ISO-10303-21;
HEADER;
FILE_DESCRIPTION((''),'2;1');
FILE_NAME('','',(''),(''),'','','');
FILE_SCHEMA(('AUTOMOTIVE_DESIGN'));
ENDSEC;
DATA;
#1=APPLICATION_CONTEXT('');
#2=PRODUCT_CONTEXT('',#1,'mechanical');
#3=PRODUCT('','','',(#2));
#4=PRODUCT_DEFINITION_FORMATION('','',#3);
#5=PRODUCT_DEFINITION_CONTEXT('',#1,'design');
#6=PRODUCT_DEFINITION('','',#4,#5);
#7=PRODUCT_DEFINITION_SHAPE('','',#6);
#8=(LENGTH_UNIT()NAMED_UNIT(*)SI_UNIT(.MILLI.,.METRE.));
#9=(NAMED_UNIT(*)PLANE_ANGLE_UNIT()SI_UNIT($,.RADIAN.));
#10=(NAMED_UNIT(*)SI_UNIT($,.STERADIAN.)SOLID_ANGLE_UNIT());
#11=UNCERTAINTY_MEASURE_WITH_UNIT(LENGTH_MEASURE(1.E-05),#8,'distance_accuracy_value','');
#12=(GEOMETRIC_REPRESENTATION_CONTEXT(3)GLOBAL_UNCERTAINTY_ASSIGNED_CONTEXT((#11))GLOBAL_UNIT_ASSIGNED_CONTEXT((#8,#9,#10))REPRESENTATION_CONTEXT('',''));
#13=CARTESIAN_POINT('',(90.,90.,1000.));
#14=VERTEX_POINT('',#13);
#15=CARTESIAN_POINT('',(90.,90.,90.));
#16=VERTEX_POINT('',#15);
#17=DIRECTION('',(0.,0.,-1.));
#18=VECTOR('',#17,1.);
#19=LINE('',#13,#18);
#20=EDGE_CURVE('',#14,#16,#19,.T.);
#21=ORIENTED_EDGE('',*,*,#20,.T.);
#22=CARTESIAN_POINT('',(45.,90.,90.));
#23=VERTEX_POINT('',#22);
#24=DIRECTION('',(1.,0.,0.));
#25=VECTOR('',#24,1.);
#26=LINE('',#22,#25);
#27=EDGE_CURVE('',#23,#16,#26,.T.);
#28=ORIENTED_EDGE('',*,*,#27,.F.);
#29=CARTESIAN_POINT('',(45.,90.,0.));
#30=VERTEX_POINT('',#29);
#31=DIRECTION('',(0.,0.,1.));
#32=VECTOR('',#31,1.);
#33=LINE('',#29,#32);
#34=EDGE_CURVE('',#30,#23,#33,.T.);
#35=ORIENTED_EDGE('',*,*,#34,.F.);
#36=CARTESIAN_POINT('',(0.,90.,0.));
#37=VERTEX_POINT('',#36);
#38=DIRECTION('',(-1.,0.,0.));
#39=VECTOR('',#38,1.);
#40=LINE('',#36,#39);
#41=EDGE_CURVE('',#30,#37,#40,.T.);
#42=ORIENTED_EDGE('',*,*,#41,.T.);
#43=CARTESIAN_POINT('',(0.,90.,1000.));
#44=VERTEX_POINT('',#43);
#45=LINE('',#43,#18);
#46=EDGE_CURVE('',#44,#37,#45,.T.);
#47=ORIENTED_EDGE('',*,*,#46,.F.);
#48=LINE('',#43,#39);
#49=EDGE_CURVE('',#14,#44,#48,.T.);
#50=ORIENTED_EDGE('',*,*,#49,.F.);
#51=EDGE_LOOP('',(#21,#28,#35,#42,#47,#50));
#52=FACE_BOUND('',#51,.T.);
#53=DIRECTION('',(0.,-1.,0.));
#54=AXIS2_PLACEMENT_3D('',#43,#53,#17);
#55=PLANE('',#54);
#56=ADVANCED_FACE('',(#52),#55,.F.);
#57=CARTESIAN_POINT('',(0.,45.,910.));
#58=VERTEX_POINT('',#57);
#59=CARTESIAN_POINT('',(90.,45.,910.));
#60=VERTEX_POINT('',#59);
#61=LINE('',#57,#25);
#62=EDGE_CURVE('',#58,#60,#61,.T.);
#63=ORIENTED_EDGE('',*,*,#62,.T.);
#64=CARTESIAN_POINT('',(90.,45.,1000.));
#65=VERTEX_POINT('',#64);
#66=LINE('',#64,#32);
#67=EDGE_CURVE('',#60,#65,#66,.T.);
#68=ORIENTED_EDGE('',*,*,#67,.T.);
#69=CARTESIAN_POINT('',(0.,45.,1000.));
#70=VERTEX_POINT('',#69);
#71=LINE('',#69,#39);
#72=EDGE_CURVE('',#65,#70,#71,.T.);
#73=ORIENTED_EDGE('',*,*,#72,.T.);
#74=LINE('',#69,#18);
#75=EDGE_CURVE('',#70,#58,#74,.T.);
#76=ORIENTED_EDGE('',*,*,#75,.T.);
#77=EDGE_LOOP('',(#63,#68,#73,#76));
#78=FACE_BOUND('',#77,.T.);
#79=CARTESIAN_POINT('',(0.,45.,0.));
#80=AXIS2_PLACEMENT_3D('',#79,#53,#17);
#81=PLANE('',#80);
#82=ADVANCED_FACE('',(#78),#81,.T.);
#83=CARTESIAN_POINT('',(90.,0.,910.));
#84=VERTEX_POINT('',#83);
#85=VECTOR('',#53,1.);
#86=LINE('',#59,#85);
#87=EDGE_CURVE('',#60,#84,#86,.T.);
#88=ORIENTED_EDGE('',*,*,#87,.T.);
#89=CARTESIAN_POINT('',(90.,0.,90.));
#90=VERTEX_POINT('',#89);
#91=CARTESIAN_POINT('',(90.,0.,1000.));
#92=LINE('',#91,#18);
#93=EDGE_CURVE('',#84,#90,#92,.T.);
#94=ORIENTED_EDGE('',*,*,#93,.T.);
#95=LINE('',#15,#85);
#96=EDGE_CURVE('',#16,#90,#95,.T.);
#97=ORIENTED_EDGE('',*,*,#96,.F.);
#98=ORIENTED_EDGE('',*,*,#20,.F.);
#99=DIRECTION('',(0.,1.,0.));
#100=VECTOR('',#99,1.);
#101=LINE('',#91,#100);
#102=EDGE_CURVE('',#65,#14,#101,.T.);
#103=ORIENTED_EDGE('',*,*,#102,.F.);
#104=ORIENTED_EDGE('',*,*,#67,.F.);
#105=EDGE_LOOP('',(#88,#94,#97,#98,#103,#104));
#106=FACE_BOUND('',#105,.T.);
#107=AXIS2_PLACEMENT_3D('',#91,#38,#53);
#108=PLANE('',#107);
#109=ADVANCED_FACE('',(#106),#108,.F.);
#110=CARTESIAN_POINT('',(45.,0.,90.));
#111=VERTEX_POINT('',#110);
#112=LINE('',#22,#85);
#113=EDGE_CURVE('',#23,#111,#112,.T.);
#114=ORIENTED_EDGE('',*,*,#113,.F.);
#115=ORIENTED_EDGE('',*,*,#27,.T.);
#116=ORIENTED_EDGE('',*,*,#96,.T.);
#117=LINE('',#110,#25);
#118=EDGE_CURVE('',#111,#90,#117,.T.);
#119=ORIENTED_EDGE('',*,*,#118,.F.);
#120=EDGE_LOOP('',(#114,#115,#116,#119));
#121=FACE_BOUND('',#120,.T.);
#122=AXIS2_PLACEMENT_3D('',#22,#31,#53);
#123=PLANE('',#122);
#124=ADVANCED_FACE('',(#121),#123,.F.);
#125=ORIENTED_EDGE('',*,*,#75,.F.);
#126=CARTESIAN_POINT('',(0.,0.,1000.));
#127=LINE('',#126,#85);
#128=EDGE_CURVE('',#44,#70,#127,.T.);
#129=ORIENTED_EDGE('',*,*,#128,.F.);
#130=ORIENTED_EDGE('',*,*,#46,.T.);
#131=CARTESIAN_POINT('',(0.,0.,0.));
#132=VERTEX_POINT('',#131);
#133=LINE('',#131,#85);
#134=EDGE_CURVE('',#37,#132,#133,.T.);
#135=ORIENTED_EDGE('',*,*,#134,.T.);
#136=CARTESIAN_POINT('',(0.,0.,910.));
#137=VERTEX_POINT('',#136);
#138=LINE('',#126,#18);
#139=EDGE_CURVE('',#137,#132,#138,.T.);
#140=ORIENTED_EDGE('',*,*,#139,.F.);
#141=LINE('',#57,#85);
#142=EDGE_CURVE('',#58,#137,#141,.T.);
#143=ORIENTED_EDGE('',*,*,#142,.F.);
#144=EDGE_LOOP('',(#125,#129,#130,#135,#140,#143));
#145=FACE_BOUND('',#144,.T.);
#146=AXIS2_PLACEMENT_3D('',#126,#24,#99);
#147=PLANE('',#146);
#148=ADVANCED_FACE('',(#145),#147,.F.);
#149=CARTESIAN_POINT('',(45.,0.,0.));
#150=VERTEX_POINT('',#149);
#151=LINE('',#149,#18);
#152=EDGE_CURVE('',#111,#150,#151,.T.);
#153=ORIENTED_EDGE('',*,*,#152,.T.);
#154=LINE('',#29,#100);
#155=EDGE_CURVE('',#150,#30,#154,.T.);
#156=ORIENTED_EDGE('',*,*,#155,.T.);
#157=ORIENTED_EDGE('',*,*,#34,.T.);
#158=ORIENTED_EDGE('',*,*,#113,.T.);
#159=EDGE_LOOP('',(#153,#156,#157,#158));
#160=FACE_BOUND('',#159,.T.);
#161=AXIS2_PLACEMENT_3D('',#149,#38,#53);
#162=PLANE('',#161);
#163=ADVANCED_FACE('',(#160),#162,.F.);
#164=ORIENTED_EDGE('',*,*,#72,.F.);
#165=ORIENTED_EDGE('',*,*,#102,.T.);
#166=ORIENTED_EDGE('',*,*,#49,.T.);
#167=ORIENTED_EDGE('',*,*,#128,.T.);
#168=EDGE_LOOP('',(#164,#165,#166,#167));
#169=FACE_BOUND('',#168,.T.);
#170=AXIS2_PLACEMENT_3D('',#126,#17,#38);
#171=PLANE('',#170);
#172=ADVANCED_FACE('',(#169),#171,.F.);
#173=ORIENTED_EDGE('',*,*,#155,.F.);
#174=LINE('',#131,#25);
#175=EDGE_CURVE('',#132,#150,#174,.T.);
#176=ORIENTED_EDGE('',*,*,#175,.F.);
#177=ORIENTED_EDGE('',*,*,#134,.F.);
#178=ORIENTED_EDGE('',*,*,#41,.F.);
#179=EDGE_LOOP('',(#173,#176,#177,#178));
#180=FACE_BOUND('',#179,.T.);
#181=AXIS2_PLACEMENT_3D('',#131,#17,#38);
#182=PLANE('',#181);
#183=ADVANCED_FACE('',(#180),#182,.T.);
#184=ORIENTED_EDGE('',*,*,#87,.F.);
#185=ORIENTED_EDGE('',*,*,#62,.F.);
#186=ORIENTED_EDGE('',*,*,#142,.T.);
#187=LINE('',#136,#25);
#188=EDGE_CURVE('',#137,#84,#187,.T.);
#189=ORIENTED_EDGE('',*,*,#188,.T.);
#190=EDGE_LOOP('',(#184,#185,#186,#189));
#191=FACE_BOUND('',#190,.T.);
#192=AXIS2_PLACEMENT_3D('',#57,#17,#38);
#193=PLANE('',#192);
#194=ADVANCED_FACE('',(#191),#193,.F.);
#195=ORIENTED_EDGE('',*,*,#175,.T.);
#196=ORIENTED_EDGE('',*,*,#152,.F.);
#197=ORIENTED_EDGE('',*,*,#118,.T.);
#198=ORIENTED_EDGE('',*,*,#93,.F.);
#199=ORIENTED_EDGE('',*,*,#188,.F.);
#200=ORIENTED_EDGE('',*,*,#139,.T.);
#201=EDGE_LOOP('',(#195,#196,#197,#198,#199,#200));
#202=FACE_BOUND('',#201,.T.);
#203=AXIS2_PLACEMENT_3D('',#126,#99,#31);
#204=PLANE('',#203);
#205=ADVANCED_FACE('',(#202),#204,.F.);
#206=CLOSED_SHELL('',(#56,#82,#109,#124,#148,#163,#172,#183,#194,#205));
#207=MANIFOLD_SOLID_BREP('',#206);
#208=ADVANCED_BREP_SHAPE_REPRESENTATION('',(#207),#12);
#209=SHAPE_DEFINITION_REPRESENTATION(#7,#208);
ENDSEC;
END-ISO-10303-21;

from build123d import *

# Parameters (mm, degrees)
SKETCH1_W           = 90
SKETCH1_H           = 90
BOSS_EXTRUDE1_DEPTH = 1000
SKETCH3_W           = 90
SKETCH3_H           = 90
CUT_EXTRUDE1_DEPTH  = 45
SKETCH4_W           = 90
SKETCH4_H           = 90
CUT_EXTRUDE2_DEPTH  = 45


with BuildPart() as part:
    # Sketch1 → Boss-Extrude1 (new body)
    with BuildSketch(Plane.XY):
        with Locations((45, 45)):
            Rectangle(SKETCH1_W, SKETCH1_H)
    extrude(amount=BOSS_EXTRUDE1_DEPTH)

    # Sketch3 → Cut-Extrude1 (cut)
    with BuildSketch(Plane.XZ):
        with Locations((45, 955)):
            Rectangle(SKETCH3_W, SKETCH3_H)
    extrude(amount=-CUT_EXTRUDE1_DEPTH, mode=Mode.SUBTRACT)

    # Sketch4 → Cut-Extrude2 (cut)
    with BuildSketch(Plane(origin=(90, 0, 0), x_dir=(0, 0, -1), z_dir=(1, 0, 0))):
        with Locations((-45, 45)):
            Rectangle(SKETCH4_W, SKETCH4_H)
    extrude(amount=-CUT_EXTRUDE2_DEPTH, mode=Mode.SUBTRACT)


solid = part.part
